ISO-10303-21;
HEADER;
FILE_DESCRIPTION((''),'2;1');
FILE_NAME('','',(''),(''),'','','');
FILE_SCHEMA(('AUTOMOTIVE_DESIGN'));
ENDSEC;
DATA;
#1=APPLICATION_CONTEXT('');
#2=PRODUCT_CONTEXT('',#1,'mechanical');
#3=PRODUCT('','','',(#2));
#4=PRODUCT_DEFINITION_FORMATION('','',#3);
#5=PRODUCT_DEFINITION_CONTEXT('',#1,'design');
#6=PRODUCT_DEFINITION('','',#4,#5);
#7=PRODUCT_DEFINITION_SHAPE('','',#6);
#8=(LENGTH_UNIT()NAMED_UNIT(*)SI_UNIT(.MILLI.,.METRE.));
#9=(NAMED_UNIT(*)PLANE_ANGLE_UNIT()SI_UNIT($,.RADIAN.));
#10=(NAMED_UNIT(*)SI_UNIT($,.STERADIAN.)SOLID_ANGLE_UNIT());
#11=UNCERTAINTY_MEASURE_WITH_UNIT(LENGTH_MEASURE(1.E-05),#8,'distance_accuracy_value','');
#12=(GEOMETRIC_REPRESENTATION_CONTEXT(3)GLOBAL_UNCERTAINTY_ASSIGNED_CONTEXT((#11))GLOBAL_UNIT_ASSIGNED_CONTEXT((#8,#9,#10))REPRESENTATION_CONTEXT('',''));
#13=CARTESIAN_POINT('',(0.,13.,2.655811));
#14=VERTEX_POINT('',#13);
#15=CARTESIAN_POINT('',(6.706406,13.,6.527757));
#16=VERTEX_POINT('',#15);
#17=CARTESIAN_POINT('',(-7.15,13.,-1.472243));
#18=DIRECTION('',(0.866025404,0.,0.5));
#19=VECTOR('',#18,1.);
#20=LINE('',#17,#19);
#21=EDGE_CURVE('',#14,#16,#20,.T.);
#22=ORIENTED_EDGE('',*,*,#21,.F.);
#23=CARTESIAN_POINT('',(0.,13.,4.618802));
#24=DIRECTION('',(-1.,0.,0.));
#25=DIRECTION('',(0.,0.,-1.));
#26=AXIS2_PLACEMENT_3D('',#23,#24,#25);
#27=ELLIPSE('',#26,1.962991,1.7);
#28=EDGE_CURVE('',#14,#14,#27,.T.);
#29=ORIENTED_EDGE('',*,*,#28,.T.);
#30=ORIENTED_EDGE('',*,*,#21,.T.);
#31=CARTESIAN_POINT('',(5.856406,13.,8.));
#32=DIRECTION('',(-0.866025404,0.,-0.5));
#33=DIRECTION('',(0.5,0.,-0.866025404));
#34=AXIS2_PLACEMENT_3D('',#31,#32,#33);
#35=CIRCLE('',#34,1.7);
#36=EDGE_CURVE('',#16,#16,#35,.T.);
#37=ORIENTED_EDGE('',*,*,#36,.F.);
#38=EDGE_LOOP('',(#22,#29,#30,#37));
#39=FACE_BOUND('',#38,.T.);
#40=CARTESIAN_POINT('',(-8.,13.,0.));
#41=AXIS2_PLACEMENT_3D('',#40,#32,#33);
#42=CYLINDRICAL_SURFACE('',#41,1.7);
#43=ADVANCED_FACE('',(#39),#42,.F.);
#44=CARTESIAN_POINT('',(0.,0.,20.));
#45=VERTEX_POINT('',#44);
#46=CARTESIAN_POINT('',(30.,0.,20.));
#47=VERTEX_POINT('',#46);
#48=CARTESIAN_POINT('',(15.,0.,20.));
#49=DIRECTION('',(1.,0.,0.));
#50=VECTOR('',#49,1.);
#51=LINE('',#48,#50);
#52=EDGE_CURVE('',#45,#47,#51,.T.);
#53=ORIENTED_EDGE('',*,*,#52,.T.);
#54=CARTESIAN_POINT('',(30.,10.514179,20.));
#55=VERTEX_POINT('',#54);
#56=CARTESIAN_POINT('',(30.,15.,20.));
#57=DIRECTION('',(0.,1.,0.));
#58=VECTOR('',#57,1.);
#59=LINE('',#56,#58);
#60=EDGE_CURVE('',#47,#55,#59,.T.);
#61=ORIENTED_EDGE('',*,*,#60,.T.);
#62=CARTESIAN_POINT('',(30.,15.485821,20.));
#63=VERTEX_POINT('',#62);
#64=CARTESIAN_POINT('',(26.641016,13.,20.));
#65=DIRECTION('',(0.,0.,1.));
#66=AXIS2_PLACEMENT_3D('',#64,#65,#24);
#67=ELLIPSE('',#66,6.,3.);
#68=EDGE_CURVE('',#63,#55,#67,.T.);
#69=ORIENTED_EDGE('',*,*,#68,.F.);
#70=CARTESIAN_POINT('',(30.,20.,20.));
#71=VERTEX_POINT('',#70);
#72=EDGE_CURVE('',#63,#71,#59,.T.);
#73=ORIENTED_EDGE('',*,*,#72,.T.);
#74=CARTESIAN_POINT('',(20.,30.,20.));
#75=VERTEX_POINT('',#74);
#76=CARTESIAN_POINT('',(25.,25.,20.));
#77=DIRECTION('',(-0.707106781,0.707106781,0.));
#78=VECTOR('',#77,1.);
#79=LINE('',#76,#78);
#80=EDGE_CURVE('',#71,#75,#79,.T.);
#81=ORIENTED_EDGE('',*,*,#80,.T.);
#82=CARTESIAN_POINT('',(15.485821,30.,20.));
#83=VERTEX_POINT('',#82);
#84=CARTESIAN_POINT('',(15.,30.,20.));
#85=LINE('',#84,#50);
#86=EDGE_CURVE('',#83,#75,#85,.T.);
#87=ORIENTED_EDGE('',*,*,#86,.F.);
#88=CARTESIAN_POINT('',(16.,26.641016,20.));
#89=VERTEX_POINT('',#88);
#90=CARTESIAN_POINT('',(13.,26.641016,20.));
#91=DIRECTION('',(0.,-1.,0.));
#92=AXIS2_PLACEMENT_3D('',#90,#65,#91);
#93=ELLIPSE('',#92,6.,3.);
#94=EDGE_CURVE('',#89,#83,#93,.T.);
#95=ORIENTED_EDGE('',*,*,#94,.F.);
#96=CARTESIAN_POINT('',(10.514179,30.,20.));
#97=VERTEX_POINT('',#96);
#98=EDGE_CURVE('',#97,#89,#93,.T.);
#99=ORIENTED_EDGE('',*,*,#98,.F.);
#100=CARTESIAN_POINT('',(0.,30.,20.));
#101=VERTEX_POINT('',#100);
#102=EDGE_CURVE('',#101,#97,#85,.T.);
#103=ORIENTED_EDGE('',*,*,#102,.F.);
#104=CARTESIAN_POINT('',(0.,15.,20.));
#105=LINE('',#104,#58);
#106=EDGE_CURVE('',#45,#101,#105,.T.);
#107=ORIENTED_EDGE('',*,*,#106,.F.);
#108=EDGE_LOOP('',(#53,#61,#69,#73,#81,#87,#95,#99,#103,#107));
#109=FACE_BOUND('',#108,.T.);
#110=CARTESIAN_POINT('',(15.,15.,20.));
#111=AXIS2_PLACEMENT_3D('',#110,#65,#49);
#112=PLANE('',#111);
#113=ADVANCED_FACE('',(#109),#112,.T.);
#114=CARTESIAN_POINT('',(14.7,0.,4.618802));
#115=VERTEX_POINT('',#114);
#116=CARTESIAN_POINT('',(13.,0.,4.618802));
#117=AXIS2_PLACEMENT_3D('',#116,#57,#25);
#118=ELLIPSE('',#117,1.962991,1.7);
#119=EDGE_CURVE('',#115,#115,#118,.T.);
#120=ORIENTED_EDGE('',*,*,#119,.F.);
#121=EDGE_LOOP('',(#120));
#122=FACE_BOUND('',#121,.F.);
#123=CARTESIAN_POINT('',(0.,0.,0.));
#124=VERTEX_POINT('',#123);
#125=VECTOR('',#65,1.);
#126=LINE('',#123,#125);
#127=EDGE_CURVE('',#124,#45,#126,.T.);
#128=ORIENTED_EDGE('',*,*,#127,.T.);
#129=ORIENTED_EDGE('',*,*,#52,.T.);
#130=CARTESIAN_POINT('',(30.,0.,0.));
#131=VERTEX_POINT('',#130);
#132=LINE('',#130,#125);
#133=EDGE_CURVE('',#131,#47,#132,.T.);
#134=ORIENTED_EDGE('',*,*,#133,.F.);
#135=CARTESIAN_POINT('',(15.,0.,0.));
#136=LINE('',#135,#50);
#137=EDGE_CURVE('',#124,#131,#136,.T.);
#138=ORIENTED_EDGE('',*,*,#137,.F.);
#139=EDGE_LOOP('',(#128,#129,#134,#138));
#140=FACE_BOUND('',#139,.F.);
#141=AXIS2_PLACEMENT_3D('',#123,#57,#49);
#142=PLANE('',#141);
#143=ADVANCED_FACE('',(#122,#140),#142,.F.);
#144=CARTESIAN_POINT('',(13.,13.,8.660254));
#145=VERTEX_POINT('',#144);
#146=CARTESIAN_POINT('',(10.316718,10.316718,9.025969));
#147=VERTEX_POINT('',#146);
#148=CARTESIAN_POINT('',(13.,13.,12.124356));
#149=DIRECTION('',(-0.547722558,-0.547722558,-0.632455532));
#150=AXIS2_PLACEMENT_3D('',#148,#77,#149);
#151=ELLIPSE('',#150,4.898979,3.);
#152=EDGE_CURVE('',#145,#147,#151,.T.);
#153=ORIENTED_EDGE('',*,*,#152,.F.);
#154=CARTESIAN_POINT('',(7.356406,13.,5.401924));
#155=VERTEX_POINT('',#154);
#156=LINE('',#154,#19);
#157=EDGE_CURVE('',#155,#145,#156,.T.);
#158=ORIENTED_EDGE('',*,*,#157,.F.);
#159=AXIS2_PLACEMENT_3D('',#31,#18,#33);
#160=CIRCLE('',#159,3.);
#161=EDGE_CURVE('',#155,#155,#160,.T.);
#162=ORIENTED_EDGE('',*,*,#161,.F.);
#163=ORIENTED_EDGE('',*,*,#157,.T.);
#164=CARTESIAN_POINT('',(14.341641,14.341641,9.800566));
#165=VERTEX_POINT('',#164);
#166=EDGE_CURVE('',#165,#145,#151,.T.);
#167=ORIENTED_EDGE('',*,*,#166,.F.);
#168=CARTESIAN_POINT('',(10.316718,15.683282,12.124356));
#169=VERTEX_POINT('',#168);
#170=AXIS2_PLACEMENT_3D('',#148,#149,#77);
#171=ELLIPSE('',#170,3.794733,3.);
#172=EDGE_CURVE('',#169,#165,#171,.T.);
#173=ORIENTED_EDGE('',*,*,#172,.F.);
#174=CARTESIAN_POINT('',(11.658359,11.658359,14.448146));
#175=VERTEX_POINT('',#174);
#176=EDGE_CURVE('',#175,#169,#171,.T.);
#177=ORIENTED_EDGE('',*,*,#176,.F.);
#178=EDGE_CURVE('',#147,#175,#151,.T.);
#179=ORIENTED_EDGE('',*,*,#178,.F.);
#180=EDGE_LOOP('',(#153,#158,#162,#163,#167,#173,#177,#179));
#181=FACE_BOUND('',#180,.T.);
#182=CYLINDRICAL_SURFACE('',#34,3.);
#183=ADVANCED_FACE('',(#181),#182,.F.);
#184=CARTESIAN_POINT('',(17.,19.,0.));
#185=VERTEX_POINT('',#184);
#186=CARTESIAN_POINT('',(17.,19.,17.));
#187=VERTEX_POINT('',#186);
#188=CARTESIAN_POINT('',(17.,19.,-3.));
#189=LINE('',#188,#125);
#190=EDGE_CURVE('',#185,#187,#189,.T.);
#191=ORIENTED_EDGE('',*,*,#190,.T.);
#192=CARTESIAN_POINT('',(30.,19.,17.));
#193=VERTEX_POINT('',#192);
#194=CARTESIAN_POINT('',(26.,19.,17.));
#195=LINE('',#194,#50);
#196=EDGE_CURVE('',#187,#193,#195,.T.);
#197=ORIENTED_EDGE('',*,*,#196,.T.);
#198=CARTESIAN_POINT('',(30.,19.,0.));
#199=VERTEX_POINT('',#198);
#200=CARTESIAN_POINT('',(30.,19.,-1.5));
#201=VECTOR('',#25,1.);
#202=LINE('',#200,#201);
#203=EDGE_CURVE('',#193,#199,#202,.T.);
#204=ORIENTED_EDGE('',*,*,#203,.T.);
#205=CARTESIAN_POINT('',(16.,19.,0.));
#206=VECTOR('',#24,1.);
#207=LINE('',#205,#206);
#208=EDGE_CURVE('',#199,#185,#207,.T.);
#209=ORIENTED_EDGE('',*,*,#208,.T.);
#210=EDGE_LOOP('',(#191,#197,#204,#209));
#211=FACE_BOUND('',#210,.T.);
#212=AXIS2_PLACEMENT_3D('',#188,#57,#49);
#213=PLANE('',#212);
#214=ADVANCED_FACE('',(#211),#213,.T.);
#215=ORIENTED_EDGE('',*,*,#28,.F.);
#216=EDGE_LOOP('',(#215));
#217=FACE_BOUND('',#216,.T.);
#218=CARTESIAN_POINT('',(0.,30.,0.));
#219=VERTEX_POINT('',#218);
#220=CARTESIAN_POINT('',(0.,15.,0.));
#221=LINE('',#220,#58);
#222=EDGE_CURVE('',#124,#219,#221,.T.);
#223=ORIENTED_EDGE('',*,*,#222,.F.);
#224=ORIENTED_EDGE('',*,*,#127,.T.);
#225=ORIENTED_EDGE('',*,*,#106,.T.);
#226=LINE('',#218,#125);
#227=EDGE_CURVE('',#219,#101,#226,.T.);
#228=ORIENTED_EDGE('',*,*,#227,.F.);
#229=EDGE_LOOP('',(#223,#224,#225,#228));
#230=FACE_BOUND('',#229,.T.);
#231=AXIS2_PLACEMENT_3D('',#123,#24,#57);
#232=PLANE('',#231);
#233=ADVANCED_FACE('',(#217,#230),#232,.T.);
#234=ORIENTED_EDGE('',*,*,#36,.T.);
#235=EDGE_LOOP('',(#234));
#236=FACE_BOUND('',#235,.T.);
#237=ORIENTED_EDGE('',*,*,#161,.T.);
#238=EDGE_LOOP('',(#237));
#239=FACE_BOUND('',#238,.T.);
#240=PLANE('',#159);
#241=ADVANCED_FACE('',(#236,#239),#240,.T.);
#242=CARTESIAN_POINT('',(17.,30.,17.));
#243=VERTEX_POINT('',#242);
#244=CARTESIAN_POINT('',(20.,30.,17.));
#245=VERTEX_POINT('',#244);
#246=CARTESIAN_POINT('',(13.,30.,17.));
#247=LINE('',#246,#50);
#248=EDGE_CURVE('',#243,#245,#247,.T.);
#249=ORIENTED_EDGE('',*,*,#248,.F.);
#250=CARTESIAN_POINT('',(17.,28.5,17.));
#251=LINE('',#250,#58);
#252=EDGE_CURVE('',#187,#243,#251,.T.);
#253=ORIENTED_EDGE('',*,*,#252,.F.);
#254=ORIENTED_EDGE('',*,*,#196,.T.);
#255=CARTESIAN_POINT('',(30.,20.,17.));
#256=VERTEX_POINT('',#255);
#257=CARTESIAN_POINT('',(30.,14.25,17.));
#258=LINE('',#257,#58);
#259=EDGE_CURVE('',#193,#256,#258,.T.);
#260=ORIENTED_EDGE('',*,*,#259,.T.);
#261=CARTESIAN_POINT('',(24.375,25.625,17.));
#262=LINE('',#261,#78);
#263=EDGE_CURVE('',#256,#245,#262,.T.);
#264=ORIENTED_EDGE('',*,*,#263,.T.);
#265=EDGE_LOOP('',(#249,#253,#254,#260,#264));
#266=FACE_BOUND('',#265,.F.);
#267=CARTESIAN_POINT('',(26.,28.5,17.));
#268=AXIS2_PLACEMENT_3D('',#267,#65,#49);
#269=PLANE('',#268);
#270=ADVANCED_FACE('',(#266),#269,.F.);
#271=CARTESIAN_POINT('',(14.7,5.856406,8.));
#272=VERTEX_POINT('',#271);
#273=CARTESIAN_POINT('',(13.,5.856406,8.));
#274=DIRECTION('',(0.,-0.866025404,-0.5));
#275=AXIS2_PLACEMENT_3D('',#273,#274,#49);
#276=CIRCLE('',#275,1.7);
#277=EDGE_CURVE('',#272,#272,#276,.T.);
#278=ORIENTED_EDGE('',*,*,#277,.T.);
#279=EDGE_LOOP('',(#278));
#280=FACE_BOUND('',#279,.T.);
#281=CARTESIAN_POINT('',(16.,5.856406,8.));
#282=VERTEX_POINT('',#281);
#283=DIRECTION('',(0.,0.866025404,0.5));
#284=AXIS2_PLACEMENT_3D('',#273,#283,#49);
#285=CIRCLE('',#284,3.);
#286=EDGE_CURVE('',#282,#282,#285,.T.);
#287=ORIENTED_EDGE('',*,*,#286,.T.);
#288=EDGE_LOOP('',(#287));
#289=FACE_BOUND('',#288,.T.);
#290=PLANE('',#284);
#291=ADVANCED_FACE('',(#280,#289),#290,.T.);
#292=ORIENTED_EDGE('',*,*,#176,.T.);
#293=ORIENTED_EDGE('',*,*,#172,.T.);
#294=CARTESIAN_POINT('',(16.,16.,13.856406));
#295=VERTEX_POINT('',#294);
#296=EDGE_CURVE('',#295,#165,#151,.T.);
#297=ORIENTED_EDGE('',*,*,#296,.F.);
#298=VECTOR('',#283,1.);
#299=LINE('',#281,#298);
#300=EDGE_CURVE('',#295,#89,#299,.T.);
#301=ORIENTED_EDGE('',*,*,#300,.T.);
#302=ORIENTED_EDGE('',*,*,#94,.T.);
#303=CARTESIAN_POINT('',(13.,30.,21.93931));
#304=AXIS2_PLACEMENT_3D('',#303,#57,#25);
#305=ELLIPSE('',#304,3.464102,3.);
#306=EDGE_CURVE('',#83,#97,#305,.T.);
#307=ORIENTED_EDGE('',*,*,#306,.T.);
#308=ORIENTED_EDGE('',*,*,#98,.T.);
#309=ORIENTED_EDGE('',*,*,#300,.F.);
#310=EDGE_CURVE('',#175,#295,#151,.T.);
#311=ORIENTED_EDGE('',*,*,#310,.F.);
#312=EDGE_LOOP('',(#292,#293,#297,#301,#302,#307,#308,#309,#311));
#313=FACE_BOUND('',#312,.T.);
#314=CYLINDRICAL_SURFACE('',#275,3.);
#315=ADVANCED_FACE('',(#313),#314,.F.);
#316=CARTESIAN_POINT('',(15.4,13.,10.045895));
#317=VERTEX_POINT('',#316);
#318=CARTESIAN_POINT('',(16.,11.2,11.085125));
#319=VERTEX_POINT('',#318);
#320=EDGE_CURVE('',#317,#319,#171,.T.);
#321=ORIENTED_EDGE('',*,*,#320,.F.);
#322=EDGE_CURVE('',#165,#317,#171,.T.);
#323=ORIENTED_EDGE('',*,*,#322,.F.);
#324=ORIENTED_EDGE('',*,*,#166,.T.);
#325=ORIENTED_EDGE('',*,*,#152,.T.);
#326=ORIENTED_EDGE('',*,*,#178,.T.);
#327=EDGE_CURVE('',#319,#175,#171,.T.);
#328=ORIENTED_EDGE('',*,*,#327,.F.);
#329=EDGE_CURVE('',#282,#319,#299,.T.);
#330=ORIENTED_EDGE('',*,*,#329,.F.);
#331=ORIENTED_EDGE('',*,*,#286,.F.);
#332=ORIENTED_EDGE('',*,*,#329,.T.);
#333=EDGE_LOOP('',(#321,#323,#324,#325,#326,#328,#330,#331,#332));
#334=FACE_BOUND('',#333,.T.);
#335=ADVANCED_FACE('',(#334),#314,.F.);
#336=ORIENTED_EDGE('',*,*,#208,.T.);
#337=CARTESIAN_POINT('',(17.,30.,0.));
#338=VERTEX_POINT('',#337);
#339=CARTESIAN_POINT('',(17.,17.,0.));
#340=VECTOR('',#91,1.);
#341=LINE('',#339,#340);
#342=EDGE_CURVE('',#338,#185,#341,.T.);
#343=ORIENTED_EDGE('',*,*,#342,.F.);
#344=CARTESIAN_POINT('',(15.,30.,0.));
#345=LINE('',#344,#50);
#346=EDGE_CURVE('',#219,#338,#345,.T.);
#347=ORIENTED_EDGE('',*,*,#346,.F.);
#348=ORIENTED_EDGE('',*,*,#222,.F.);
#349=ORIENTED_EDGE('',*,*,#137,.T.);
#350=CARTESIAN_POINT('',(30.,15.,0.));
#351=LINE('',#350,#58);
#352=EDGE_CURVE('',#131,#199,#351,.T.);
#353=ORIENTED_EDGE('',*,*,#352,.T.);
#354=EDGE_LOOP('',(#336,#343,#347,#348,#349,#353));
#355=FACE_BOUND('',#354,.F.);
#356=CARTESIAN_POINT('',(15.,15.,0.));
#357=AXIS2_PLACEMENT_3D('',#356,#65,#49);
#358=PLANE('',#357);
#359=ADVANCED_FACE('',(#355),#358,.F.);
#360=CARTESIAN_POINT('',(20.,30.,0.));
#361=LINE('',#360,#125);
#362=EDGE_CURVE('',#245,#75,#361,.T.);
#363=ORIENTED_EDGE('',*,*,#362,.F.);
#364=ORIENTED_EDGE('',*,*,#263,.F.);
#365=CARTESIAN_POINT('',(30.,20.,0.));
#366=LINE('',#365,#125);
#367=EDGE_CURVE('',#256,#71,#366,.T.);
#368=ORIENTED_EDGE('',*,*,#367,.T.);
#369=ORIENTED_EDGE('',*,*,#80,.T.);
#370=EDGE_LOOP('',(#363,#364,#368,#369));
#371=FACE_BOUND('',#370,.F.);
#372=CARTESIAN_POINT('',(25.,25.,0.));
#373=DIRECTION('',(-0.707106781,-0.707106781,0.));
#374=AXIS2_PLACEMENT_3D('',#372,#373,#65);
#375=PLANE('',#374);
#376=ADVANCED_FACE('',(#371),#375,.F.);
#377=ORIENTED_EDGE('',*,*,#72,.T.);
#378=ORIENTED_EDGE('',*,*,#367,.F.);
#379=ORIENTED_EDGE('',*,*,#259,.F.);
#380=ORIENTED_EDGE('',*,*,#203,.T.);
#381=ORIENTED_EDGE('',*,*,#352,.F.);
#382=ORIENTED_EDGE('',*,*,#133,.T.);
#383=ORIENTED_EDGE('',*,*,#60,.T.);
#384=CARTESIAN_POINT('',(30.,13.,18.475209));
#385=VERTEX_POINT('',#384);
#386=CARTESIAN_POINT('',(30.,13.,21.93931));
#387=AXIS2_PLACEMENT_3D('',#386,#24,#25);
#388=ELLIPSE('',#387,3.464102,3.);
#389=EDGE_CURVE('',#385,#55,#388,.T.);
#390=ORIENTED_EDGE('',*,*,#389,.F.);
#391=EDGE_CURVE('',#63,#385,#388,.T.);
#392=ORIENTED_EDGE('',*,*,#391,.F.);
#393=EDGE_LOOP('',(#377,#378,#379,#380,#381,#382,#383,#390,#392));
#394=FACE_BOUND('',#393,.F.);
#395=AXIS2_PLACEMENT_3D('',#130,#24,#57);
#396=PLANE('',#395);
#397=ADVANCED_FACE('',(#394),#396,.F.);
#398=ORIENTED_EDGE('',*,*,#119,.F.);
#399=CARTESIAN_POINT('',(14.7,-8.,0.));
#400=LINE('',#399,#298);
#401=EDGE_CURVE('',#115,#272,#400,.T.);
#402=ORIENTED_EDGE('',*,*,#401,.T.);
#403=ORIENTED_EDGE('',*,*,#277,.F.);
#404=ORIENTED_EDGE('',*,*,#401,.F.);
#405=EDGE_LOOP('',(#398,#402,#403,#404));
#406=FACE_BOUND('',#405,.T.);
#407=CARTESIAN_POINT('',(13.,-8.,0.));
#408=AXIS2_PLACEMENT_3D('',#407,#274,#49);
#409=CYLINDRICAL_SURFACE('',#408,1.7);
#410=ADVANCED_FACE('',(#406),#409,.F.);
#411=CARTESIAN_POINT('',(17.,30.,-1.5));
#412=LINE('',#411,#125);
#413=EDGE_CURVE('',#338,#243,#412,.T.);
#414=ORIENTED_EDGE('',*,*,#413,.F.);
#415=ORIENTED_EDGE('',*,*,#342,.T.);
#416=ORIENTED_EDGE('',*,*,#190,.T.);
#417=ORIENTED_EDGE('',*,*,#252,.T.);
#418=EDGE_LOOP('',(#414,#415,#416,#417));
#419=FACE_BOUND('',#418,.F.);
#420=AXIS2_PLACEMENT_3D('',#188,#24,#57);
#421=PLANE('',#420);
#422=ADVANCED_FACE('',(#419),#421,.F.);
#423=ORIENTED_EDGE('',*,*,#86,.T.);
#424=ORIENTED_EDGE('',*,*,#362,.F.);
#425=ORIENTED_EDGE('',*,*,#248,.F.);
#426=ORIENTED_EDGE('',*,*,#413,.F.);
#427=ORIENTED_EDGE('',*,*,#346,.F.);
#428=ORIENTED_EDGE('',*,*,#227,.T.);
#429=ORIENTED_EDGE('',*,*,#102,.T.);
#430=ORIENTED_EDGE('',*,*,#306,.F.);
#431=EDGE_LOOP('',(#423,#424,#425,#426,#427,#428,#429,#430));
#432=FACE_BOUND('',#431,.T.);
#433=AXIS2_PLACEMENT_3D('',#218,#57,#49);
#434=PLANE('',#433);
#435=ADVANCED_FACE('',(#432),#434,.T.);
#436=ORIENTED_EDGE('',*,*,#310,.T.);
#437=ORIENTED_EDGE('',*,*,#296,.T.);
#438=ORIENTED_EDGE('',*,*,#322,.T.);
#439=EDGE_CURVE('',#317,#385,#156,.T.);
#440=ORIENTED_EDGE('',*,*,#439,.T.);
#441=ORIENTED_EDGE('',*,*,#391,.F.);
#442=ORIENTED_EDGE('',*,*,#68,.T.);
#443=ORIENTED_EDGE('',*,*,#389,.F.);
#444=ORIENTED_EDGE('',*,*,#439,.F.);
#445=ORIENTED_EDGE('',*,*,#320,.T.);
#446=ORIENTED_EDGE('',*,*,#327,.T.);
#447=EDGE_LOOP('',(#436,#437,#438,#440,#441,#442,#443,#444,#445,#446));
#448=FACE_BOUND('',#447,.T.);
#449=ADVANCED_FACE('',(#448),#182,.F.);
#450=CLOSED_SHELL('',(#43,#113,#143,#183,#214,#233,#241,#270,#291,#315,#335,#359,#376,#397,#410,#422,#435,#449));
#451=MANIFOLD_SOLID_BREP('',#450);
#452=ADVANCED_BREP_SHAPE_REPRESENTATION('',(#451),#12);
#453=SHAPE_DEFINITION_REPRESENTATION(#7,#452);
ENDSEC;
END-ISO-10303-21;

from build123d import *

# Parameters (mm, degrees)
CYLINDER001_R        = 3
CYLINDER001_DEPTH    = 40
CYLINDER_R           = 1.7
CYLINDER_DEPTH       = 40
FUSION001_ROLL_ANGLE = -60
FUSION_PITCH_ANGLE   = 60
BOX001_W             = 18
BOX001_H             = 19
BOX001_DEPTH         = 20
BOX_W                = 30
BOX_H                = 30
BOX_DEPTH            = 20
CHAMFER_SIZE         = 10


with BuildPart() as cylinder001:
    # Cylinder001 → Cylinder001 (new body)
    with BuildSketch(Plane.XY.offset(16)):
        Circle(CYLINDER001_R)
    extrude(amount=CYLINDER001_DEPTH)


with BuildPart() as cylinder:
    # Cylinder → Cylinder (new body)
    with BuildSketch(Plane.XY):
        Circle(CYLINDER_R)
    extrude(amount=CYLINDER_DEPTH)


with BuildPart() as screw001:
    # Fusion001 base: copy of Cylinder
    add(cylinder.part)

    # Fusion001: union Cylinder001
    add(cylinder001.part)


with BuildPart() as screw001_1:
    # Fusion001 roll: moved
    add(screw001.part.rotate(Axis((0, 0, 0), (1, 0, 0)), FUSION001_ROLL_ANGLE))


with BuildPart() as screw001_2:
    # Fusion001 placement: moved
    add(screw001_1.part.moved(Location((13, -8, 0))))


with BuildPart() as fusion002:
    # Fusion base: copy of Cylinder
    add(cylinder.part)

    # Fusion: union Cylinder001
    add(cylinder001.part)


with BuildPart() as fusion002_1:
    # Fusion pitch: moved
    add(fusion002.part.rotate(Axis((0, 0, 0), (0, 1, 0)), FUSION_PITCH_ANGLE))


with BuildPart() as fusion002_2:
    # Fusion placement: moved
    add(fusion002_1.part.moved(Location((-8, 13, 0))))

    # Fusion002: union screw001
    add(screw001_2.part)


with BuildPart() as cube001:
    # Box001 → Box001 (new body)
    with BuildSketch(Plane(origin=(17, 19, -3), x_dir=(1, 0, 0), z_dir=(0, 0, 1))):
        with Locations((9, 9.5)):
            Rectangle(BOX001_W, BOX001_H)
    extrude(amount=BOX001_DEPTH)


with BuildPart() as cut001:
    # Box → Box (new body)
    with BuildSketch(Plane.XY):
        with Locations((15, 15)):
            Rectangle(BOX_W, BOX_H)
    extrude(amount=BOX_DEPTH)

    # Chamfer
    chamfer_edges = [cut001.edges().sort_by_distance(p)[0] for p in [
        (30, 30, 10),
    ]]
    chamfer(chamfer_edges, length=CHAMFER_SIZE)

    # Cut: cut Cube001
    add(cube001.part, mode=Mode.SUBTRACT)

    # Cut001: cut Fusion002
    add(fusion002_2.part, mode=Mode.SUBTRACT)


solid = cut001.part
